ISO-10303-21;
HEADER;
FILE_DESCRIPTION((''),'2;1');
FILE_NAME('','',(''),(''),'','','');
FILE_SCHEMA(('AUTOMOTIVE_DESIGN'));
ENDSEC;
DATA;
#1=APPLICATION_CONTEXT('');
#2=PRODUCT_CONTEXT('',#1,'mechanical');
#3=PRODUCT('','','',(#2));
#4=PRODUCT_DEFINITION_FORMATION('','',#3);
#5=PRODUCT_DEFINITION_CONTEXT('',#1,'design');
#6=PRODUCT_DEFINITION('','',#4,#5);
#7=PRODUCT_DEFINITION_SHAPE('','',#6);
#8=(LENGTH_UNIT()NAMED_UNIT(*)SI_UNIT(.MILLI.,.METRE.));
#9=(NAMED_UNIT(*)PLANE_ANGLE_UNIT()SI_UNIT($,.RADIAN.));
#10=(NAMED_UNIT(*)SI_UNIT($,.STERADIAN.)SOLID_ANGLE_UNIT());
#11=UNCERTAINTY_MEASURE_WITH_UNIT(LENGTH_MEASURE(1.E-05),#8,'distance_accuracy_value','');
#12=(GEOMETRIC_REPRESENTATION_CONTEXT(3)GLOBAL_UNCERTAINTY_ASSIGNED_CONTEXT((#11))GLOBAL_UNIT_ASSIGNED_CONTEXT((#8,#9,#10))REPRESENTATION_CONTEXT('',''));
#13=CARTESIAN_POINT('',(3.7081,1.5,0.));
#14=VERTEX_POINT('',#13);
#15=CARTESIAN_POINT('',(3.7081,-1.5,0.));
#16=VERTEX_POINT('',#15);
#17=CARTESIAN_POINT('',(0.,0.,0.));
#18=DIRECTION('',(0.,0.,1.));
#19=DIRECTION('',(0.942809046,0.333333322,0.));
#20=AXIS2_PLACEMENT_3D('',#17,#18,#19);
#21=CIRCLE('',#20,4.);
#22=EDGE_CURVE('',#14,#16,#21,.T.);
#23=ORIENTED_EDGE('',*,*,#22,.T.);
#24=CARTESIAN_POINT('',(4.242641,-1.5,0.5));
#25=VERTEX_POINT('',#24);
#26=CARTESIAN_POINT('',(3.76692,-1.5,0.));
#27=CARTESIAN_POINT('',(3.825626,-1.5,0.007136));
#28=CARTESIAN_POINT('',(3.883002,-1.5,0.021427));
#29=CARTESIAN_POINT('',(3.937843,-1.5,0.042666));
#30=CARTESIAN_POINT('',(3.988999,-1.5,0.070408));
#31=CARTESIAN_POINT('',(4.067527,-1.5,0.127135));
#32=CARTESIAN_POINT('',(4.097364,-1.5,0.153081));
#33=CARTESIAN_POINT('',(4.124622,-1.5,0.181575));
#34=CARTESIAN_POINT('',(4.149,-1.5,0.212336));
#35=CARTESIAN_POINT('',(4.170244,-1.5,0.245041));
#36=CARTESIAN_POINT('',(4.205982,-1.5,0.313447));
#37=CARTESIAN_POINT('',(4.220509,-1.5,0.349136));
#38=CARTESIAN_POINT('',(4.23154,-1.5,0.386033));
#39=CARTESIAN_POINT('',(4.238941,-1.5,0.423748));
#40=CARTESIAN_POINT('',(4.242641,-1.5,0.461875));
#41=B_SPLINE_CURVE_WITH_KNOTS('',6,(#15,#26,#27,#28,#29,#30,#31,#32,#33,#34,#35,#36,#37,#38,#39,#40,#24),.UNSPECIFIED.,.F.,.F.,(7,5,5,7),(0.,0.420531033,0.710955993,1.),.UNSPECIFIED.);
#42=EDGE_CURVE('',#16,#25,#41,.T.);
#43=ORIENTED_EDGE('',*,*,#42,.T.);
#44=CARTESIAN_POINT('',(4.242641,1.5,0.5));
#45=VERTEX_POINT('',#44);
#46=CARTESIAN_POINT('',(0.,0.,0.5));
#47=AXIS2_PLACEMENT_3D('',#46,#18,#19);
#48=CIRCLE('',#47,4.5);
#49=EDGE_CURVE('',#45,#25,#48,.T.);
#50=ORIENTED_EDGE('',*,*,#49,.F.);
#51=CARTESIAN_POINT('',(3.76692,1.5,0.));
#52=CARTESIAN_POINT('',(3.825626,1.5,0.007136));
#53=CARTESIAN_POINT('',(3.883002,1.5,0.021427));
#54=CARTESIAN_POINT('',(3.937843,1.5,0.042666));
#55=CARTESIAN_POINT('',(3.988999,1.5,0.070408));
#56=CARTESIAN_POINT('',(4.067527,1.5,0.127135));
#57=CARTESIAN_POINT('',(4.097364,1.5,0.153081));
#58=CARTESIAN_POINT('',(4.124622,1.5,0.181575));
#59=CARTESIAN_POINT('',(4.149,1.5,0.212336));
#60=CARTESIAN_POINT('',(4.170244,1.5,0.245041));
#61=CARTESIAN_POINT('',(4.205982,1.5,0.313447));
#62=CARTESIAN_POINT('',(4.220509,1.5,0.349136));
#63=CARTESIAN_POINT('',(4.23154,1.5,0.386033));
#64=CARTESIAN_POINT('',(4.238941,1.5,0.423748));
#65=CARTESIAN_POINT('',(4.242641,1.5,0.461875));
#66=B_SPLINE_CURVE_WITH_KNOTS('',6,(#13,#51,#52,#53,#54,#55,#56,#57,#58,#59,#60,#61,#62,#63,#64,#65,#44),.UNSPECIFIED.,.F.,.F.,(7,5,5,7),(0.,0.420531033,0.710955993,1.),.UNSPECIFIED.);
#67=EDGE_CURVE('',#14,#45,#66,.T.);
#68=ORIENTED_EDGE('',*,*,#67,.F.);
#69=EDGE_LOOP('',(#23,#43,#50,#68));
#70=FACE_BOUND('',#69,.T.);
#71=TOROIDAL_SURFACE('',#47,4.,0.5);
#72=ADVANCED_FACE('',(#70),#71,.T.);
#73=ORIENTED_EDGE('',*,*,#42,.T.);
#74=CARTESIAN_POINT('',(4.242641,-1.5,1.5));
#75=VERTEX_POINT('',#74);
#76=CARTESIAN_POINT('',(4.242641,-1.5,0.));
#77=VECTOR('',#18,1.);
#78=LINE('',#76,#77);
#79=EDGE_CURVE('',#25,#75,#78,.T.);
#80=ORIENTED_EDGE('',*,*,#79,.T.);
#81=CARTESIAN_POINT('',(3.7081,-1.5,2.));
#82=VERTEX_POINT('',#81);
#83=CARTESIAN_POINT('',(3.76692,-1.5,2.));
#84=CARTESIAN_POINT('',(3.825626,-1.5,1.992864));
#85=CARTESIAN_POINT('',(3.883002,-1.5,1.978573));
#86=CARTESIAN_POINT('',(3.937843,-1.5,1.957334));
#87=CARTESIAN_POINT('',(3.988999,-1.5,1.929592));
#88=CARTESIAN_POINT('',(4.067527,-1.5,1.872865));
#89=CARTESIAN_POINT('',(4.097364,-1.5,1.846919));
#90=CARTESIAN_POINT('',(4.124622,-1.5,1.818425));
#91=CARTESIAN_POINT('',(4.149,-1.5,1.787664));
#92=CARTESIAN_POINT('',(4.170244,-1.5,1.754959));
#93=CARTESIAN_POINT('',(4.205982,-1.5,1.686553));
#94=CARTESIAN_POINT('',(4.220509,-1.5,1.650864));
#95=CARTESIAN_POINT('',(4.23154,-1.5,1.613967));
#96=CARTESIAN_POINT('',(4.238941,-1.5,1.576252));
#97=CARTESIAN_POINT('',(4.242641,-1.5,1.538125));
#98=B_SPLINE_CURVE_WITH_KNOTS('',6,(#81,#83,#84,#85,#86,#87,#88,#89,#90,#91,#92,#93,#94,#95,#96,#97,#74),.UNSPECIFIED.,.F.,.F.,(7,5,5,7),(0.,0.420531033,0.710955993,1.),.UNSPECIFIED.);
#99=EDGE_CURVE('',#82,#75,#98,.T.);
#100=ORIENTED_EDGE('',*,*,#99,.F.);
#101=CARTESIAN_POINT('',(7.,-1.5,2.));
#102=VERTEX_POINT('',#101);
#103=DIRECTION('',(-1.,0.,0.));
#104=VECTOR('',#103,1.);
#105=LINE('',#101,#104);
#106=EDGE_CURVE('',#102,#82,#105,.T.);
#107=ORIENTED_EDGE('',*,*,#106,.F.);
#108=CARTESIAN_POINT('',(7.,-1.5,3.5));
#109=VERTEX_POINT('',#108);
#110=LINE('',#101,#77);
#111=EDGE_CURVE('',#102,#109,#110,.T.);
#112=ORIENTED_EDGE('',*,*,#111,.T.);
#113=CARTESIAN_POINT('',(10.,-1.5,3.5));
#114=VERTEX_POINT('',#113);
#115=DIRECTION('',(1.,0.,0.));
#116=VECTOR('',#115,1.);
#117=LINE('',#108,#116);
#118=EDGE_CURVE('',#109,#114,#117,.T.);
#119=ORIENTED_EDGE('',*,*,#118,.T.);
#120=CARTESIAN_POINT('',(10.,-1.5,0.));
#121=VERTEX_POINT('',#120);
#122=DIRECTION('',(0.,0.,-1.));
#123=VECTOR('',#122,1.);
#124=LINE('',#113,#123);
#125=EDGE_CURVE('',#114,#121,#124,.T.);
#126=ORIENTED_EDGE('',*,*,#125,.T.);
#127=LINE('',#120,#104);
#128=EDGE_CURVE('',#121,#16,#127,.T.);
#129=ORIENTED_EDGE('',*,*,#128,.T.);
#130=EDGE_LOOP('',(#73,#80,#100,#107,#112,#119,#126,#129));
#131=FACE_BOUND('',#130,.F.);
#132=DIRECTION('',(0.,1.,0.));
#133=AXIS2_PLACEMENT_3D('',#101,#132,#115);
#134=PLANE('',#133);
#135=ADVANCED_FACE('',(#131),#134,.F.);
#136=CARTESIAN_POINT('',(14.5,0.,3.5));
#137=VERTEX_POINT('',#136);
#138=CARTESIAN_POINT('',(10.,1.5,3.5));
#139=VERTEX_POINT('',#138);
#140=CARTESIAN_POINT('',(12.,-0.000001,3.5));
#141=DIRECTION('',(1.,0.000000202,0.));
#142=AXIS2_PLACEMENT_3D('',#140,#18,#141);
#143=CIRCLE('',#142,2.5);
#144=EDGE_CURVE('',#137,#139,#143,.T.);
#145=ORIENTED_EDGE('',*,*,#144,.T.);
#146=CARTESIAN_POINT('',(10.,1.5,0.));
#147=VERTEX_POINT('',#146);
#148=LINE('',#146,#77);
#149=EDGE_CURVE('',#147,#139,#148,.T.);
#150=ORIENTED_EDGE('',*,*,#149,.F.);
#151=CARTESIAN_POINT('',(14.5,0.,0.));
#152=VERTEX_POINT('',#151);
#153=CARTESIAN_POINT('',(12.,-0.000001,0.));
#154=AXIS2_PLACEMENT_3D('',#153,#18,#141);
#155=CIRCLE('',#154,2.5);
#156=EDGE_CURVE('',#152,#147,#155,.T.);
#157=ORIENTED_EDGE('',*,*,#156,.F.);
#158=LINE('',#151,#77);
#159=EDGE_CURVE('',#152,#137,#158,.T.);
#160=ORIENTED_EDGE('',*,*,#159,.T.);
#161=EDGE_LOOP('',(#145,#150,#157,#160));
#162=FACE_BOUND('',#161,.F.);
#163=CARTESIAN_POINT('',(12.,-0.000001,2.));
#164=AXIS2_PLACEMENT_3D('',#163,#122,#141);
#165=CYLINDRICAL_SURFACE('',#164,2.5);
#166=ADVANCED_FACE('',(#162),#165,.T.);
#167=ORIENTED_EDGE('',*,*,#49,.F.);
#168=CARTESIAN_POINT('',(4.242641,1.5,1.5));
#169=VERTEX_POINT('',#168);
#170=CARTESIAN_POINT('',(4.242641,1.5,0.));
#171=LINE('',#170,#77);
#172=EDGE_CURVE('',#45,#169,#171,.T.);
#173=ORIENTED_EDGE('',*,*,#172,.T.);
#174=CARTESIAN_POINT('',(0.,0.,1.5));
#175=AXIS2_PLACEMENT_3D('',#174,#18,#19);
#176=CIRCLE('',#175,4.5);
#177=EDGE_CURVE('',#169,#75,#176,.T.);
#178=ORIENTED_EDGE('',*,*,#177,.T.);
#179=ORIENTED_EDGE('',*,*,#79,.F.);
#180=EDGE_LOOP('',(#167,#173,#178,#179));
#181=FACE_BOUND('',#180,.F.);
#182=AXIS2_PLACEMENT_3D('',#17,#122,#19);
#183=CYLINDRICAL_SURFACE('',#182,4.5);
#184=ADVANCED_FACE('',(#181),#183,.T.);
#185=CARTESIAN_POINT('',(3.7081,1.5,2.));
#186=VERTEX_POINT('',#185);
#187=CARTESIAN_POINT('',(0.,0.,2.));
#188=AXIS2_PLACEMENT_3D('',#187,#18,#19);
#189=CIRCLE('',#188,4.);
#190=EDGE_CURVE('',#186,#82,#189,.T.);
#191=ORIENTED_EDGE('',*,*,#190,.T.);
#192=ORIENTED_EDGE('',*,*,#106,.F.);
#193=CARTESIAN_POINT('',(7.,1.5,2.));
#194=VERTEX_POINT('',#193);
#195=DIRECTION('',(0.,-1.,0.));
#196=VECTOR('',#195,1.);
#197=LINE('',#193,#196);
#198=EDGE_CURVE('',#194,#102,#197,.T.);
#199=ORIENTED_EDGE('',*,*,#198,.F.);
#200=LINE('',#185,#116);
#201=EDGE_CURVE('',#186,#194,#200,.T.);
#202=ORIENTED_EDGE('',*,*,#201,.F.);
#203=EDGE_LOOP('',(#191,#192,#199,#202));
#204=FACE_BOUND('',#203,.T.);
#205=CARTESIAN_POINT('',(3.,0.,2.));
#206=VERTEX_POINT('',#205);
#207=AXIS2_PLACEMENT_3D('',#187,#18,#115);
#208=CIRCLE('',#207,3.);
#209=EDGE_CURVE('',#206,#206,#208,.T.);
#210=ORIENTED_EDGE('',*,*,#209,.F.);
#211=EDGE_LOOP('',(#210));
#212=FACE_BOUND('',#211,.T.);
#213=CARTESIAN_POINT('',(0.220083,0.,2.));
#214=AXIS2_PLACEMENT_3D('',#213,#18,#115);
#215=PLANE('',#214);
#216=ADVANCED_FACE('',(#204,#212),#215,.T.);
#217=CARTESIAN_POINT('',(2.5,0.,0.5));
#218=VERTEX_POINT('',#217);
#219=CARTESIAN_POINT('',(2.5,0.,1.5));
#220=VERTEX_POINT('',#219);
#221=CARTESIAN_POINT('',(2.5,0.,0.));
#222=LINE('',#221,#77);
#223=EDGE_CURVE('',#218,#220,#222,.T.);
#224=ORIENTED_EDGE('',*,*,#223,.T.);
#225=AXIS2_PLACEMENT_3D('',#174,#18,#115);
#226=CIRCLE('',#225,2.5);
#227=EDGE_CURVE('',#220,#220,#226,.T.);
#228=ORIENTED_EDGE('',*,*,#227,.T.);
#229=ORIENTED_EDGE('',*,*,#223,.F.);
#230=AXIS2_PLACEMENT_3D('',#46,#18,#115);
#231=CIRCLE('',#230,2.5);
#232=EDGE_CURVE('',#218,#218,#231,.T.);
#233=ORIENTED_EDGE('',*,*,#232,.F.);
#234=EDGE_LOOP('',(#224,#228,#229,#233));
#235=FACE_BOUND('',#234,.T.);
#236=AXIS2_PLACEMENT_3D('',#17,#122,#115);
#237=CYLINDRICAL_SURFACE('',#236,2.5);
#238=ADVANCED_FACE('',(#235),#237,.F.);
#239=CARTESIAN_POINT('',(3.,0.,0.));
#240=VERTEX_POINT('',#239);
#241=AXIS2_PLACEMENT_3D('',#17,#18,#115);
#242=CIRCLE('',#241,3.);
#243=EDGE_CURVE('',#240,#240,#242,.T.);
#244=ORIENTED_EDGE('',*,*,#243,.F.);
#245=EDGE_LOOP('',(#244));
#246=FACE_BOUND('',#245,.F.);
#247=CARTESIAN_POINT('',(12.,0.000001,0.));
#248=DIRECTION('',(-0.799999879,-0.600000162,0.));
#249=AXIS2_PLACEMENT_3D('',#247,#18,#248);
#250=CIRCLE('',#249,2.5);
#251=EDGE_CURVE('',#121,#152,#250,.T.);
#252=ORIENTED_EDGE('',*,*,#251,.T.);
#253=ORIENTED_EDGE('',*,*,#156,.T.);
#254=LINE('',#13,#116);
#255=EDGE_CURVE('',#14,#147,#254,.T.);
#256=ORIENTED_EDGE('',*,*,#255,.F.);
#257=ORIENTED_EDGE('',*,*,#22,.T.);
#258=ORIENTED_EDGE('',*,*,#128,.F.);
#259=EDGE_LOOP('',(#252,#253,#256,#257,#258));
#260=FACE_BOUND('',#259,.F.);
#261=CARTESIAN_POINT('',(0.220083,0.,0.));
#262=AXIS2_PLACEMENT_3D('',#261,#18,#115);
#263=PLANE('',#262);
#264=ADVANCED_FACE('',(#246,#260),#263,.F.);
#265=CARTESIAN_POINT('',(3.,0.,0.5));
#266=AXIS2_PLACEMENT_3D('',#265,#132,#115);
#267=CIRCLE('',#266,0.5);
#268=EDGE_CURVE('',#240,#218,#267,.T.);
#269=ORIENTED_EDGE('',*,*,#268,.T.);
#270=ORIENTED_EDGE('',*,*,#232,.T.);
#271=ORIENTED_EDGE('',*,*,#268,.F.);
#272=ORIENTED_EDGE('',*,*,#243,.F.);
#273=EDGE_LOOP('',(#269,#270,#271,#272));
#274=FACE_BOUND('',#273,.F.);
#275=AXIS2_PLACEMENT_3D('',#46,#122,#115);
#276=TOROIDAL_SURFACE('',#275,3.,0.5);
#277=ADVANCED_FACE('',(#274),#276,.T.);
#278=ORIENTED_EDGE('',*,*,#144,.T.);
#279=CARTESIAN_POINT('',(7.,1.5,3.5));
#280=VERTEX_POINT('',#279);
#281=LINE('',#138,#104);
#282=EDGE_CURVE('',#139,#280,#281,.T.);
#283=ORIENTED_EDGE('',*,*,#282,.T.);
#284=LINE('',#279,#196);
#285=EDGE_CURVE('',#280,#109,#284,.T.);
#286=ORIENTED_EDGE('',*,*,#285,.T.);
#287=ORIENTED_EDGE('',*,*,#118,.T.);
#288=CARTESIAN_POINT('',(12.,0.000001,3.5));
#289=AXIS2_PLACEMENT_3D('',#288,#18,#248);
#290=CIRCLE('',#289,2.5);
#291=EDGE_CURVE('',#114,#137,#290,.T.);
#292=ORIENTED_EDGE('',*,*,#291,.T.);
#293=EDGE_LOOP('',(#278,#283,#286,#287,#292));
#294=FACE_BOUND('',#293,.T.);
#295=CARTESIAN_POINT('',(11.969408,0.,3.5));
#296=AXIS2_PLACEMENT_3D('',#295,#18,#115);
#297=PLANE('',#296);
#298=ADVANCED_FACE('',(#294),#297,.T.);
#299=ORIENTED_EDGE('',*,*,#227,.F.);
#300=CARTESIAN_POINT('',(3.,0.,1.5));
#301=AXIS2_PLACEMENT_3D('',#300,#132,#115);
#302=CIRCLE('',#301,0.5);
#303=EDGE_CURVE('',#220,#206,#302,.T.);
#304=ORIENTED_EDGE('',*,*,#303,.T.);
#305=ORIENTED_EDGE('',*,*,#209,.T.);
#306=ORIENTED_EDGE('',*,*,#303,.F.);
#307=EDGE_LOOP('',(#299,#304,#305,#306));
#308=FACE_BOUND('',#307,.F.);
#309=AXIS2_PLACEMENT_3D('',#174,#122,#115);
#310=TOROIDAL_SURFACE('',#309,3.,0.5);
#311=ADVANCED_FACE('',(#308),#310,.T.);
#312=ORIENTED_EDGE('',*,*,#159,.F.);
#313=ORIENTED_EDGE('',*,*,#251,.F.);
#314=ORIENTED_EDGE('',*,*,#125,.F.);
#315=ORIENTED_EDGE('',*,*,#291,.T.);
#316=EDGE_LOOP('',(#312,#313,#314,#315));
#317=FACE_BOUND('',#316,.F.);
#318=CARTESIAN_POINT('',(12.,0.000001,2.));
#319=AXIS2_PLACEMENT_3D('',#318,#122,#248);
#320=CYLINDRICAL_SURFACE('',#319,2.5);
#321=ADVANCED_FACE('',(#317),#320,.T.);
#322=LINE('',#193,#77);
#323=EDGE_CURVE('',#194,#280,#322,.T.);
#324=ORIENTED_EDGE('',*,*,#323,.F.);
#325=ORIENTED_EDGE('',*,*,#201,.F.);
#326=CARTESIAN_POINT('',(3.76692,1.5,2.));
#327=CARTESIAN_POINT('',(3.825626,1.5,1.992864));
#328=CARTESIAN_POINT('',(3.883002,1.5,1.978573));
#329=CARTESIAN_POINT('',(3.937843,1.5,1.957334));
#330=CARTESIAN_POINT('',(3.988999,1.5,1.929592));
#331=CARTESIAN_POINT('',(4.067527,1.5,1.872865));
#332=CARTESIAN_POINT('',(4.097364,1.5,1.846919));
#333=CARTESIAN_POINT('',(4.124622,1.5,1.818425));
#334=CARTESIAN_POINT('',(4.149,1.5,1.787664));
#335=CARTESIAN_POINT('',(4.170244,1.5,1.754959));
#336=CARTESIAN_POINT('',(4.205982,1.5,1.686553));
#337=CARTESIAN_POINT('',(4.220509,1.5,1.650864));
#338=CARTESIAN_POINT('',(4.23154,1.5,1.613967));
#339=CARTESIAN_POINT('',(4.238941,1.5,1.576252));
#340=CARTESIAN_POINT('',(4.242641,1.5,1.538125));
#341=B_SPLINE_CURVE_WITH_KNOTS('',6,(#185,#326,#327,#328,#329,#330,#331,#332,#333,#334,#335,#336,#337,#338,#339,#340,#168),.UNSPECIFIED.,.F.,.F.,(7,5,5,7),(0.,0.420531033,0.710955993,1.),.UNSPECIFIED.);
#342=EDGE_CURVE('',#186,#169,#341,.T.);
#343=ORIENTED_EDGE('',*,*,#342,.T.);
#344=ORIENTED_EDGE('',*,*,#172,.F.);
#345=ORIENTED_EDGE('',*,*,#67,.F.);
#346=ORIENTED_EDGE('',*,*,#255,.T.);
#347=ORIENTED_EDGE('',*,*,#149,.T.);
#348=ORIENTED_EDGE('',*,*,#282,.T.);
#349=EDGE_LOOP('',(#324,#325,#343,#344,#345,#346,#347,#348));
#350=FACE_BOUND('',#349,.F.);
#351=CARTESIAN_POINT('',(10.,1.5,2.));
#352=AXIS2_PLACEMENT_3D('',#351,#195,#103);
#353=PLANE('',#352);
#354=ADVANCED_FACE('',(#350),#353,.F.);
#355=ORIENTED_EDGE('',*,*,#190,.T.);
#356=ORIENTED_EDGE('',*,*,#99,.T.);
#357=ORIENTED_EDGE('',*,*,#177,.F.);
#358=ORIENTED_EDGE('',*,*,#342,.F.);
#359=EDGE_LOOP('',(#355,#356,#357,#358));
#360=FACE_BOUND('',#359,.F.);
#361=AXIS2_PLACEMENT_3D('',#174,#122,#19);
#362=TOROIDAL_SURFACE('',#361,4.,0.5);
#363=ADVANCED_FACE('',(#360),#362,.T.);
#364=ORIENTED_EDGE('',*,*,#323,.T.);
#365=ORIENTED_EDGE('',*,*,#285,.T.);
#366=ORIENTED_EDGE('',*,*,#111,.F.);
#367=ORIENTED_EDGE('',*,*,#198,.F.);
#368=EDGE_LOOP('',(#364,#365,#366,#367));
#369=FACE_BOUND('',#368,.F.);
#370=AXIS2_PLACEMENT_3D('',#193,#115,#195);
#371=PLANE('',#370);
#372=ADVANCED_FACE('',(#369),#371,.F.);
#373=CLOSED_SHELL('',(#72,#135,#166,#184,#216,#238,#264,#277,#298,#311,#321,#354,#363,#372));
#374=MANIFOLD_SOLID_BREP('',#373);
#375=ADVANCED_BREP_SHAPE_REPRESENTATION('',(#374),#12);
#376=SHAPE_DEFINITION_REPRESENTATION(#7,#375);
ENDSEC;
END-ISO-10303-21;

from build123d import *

# Parameters (mm, degrees)
F0_R     = 2.5
F1_DEPTH = 2
F3_DEPTH = 1.5
F4_R     = 0.5


with BuildPart() as f1:
    # F0 (on Top) → F1 (new body)
    with BuildSketch(Plane.XY):
        with BuildLine():
            ThreePointArc((4.242641, -1.5), (4.435194, -0.760959), (4.5, 0))
            ThreePointArc((4.5, 0), (4.435194, 0.760959), (4.242641, 1.5))
            ThreePointArc((4.242641, 1.5), (-4.5, 0), (4.242641, -1.5))
        make_face()
        Circle(F0_R, mode=Mode.SUBTRACT)
        with BuildLine():
            ThreePointArc((4.242641, 1.5), (4.435194, 0.760959), (4.5, 0))
            ThreePointArc((4.5, 0), (4.435194, -0.760959), (4.242641, -1.5))
            Line((4.242641, -1.5), (10, -1.5))
            ThreePointArc((10, -1.5), (9.5, 0), (10, 1.5))
            Line((10, 1.5), (4.242641, 1.5))
        make_face()
        with BuildLine():
            ThreePointArc((14.5, 0), (12.790569, 2.371708), (10, 1.5))
            ThreePointArc((10, 1.5), (9.5, 0), (10, -1.5))
            ThreePointArc((10, -1.5), (12.790569, -2.371708), (14.5, 0))
        make_face()
    extrude(amount=F1_DEPTH)

    # F2 (on face) → F3 (join)
    with BuildSketch(Plane.XY.offset(2)):
        with BuildLine():
            ThreePointArc((10, -1.5), (12.790569, -2.371708), (14.5, 0))
            ThreePointArc((14.5, 0), (12.790569, 2.371708), (10, 1.5))
            ThreePointArc((10, 1.5), (9.5, 0), (10, -1.5))
        make_face()
        with BuildLine():
            ThreePointArc((10, -1.5), (9.5, 0), (10, 1.5))
            Line((10, 1.5), (7, 1.5))
            Line((7, 1.5), (7, -1.5))
            Line((7, -1.5), (10, -1.5))
        make_face()
    extrude(amount=F3_DEPTH)

    # F4
    f4_edges = [f1.edges().sort_by_distance(p)[0] for p in [
        (-2.5, 0, 2),
        (-4.5, 0, 2),
        (-4.5, 0, 0),
        (-2.5, 0, 0),
    ]]
    fillet(f4_edges, radius=F4_R)


solid = f1.part
